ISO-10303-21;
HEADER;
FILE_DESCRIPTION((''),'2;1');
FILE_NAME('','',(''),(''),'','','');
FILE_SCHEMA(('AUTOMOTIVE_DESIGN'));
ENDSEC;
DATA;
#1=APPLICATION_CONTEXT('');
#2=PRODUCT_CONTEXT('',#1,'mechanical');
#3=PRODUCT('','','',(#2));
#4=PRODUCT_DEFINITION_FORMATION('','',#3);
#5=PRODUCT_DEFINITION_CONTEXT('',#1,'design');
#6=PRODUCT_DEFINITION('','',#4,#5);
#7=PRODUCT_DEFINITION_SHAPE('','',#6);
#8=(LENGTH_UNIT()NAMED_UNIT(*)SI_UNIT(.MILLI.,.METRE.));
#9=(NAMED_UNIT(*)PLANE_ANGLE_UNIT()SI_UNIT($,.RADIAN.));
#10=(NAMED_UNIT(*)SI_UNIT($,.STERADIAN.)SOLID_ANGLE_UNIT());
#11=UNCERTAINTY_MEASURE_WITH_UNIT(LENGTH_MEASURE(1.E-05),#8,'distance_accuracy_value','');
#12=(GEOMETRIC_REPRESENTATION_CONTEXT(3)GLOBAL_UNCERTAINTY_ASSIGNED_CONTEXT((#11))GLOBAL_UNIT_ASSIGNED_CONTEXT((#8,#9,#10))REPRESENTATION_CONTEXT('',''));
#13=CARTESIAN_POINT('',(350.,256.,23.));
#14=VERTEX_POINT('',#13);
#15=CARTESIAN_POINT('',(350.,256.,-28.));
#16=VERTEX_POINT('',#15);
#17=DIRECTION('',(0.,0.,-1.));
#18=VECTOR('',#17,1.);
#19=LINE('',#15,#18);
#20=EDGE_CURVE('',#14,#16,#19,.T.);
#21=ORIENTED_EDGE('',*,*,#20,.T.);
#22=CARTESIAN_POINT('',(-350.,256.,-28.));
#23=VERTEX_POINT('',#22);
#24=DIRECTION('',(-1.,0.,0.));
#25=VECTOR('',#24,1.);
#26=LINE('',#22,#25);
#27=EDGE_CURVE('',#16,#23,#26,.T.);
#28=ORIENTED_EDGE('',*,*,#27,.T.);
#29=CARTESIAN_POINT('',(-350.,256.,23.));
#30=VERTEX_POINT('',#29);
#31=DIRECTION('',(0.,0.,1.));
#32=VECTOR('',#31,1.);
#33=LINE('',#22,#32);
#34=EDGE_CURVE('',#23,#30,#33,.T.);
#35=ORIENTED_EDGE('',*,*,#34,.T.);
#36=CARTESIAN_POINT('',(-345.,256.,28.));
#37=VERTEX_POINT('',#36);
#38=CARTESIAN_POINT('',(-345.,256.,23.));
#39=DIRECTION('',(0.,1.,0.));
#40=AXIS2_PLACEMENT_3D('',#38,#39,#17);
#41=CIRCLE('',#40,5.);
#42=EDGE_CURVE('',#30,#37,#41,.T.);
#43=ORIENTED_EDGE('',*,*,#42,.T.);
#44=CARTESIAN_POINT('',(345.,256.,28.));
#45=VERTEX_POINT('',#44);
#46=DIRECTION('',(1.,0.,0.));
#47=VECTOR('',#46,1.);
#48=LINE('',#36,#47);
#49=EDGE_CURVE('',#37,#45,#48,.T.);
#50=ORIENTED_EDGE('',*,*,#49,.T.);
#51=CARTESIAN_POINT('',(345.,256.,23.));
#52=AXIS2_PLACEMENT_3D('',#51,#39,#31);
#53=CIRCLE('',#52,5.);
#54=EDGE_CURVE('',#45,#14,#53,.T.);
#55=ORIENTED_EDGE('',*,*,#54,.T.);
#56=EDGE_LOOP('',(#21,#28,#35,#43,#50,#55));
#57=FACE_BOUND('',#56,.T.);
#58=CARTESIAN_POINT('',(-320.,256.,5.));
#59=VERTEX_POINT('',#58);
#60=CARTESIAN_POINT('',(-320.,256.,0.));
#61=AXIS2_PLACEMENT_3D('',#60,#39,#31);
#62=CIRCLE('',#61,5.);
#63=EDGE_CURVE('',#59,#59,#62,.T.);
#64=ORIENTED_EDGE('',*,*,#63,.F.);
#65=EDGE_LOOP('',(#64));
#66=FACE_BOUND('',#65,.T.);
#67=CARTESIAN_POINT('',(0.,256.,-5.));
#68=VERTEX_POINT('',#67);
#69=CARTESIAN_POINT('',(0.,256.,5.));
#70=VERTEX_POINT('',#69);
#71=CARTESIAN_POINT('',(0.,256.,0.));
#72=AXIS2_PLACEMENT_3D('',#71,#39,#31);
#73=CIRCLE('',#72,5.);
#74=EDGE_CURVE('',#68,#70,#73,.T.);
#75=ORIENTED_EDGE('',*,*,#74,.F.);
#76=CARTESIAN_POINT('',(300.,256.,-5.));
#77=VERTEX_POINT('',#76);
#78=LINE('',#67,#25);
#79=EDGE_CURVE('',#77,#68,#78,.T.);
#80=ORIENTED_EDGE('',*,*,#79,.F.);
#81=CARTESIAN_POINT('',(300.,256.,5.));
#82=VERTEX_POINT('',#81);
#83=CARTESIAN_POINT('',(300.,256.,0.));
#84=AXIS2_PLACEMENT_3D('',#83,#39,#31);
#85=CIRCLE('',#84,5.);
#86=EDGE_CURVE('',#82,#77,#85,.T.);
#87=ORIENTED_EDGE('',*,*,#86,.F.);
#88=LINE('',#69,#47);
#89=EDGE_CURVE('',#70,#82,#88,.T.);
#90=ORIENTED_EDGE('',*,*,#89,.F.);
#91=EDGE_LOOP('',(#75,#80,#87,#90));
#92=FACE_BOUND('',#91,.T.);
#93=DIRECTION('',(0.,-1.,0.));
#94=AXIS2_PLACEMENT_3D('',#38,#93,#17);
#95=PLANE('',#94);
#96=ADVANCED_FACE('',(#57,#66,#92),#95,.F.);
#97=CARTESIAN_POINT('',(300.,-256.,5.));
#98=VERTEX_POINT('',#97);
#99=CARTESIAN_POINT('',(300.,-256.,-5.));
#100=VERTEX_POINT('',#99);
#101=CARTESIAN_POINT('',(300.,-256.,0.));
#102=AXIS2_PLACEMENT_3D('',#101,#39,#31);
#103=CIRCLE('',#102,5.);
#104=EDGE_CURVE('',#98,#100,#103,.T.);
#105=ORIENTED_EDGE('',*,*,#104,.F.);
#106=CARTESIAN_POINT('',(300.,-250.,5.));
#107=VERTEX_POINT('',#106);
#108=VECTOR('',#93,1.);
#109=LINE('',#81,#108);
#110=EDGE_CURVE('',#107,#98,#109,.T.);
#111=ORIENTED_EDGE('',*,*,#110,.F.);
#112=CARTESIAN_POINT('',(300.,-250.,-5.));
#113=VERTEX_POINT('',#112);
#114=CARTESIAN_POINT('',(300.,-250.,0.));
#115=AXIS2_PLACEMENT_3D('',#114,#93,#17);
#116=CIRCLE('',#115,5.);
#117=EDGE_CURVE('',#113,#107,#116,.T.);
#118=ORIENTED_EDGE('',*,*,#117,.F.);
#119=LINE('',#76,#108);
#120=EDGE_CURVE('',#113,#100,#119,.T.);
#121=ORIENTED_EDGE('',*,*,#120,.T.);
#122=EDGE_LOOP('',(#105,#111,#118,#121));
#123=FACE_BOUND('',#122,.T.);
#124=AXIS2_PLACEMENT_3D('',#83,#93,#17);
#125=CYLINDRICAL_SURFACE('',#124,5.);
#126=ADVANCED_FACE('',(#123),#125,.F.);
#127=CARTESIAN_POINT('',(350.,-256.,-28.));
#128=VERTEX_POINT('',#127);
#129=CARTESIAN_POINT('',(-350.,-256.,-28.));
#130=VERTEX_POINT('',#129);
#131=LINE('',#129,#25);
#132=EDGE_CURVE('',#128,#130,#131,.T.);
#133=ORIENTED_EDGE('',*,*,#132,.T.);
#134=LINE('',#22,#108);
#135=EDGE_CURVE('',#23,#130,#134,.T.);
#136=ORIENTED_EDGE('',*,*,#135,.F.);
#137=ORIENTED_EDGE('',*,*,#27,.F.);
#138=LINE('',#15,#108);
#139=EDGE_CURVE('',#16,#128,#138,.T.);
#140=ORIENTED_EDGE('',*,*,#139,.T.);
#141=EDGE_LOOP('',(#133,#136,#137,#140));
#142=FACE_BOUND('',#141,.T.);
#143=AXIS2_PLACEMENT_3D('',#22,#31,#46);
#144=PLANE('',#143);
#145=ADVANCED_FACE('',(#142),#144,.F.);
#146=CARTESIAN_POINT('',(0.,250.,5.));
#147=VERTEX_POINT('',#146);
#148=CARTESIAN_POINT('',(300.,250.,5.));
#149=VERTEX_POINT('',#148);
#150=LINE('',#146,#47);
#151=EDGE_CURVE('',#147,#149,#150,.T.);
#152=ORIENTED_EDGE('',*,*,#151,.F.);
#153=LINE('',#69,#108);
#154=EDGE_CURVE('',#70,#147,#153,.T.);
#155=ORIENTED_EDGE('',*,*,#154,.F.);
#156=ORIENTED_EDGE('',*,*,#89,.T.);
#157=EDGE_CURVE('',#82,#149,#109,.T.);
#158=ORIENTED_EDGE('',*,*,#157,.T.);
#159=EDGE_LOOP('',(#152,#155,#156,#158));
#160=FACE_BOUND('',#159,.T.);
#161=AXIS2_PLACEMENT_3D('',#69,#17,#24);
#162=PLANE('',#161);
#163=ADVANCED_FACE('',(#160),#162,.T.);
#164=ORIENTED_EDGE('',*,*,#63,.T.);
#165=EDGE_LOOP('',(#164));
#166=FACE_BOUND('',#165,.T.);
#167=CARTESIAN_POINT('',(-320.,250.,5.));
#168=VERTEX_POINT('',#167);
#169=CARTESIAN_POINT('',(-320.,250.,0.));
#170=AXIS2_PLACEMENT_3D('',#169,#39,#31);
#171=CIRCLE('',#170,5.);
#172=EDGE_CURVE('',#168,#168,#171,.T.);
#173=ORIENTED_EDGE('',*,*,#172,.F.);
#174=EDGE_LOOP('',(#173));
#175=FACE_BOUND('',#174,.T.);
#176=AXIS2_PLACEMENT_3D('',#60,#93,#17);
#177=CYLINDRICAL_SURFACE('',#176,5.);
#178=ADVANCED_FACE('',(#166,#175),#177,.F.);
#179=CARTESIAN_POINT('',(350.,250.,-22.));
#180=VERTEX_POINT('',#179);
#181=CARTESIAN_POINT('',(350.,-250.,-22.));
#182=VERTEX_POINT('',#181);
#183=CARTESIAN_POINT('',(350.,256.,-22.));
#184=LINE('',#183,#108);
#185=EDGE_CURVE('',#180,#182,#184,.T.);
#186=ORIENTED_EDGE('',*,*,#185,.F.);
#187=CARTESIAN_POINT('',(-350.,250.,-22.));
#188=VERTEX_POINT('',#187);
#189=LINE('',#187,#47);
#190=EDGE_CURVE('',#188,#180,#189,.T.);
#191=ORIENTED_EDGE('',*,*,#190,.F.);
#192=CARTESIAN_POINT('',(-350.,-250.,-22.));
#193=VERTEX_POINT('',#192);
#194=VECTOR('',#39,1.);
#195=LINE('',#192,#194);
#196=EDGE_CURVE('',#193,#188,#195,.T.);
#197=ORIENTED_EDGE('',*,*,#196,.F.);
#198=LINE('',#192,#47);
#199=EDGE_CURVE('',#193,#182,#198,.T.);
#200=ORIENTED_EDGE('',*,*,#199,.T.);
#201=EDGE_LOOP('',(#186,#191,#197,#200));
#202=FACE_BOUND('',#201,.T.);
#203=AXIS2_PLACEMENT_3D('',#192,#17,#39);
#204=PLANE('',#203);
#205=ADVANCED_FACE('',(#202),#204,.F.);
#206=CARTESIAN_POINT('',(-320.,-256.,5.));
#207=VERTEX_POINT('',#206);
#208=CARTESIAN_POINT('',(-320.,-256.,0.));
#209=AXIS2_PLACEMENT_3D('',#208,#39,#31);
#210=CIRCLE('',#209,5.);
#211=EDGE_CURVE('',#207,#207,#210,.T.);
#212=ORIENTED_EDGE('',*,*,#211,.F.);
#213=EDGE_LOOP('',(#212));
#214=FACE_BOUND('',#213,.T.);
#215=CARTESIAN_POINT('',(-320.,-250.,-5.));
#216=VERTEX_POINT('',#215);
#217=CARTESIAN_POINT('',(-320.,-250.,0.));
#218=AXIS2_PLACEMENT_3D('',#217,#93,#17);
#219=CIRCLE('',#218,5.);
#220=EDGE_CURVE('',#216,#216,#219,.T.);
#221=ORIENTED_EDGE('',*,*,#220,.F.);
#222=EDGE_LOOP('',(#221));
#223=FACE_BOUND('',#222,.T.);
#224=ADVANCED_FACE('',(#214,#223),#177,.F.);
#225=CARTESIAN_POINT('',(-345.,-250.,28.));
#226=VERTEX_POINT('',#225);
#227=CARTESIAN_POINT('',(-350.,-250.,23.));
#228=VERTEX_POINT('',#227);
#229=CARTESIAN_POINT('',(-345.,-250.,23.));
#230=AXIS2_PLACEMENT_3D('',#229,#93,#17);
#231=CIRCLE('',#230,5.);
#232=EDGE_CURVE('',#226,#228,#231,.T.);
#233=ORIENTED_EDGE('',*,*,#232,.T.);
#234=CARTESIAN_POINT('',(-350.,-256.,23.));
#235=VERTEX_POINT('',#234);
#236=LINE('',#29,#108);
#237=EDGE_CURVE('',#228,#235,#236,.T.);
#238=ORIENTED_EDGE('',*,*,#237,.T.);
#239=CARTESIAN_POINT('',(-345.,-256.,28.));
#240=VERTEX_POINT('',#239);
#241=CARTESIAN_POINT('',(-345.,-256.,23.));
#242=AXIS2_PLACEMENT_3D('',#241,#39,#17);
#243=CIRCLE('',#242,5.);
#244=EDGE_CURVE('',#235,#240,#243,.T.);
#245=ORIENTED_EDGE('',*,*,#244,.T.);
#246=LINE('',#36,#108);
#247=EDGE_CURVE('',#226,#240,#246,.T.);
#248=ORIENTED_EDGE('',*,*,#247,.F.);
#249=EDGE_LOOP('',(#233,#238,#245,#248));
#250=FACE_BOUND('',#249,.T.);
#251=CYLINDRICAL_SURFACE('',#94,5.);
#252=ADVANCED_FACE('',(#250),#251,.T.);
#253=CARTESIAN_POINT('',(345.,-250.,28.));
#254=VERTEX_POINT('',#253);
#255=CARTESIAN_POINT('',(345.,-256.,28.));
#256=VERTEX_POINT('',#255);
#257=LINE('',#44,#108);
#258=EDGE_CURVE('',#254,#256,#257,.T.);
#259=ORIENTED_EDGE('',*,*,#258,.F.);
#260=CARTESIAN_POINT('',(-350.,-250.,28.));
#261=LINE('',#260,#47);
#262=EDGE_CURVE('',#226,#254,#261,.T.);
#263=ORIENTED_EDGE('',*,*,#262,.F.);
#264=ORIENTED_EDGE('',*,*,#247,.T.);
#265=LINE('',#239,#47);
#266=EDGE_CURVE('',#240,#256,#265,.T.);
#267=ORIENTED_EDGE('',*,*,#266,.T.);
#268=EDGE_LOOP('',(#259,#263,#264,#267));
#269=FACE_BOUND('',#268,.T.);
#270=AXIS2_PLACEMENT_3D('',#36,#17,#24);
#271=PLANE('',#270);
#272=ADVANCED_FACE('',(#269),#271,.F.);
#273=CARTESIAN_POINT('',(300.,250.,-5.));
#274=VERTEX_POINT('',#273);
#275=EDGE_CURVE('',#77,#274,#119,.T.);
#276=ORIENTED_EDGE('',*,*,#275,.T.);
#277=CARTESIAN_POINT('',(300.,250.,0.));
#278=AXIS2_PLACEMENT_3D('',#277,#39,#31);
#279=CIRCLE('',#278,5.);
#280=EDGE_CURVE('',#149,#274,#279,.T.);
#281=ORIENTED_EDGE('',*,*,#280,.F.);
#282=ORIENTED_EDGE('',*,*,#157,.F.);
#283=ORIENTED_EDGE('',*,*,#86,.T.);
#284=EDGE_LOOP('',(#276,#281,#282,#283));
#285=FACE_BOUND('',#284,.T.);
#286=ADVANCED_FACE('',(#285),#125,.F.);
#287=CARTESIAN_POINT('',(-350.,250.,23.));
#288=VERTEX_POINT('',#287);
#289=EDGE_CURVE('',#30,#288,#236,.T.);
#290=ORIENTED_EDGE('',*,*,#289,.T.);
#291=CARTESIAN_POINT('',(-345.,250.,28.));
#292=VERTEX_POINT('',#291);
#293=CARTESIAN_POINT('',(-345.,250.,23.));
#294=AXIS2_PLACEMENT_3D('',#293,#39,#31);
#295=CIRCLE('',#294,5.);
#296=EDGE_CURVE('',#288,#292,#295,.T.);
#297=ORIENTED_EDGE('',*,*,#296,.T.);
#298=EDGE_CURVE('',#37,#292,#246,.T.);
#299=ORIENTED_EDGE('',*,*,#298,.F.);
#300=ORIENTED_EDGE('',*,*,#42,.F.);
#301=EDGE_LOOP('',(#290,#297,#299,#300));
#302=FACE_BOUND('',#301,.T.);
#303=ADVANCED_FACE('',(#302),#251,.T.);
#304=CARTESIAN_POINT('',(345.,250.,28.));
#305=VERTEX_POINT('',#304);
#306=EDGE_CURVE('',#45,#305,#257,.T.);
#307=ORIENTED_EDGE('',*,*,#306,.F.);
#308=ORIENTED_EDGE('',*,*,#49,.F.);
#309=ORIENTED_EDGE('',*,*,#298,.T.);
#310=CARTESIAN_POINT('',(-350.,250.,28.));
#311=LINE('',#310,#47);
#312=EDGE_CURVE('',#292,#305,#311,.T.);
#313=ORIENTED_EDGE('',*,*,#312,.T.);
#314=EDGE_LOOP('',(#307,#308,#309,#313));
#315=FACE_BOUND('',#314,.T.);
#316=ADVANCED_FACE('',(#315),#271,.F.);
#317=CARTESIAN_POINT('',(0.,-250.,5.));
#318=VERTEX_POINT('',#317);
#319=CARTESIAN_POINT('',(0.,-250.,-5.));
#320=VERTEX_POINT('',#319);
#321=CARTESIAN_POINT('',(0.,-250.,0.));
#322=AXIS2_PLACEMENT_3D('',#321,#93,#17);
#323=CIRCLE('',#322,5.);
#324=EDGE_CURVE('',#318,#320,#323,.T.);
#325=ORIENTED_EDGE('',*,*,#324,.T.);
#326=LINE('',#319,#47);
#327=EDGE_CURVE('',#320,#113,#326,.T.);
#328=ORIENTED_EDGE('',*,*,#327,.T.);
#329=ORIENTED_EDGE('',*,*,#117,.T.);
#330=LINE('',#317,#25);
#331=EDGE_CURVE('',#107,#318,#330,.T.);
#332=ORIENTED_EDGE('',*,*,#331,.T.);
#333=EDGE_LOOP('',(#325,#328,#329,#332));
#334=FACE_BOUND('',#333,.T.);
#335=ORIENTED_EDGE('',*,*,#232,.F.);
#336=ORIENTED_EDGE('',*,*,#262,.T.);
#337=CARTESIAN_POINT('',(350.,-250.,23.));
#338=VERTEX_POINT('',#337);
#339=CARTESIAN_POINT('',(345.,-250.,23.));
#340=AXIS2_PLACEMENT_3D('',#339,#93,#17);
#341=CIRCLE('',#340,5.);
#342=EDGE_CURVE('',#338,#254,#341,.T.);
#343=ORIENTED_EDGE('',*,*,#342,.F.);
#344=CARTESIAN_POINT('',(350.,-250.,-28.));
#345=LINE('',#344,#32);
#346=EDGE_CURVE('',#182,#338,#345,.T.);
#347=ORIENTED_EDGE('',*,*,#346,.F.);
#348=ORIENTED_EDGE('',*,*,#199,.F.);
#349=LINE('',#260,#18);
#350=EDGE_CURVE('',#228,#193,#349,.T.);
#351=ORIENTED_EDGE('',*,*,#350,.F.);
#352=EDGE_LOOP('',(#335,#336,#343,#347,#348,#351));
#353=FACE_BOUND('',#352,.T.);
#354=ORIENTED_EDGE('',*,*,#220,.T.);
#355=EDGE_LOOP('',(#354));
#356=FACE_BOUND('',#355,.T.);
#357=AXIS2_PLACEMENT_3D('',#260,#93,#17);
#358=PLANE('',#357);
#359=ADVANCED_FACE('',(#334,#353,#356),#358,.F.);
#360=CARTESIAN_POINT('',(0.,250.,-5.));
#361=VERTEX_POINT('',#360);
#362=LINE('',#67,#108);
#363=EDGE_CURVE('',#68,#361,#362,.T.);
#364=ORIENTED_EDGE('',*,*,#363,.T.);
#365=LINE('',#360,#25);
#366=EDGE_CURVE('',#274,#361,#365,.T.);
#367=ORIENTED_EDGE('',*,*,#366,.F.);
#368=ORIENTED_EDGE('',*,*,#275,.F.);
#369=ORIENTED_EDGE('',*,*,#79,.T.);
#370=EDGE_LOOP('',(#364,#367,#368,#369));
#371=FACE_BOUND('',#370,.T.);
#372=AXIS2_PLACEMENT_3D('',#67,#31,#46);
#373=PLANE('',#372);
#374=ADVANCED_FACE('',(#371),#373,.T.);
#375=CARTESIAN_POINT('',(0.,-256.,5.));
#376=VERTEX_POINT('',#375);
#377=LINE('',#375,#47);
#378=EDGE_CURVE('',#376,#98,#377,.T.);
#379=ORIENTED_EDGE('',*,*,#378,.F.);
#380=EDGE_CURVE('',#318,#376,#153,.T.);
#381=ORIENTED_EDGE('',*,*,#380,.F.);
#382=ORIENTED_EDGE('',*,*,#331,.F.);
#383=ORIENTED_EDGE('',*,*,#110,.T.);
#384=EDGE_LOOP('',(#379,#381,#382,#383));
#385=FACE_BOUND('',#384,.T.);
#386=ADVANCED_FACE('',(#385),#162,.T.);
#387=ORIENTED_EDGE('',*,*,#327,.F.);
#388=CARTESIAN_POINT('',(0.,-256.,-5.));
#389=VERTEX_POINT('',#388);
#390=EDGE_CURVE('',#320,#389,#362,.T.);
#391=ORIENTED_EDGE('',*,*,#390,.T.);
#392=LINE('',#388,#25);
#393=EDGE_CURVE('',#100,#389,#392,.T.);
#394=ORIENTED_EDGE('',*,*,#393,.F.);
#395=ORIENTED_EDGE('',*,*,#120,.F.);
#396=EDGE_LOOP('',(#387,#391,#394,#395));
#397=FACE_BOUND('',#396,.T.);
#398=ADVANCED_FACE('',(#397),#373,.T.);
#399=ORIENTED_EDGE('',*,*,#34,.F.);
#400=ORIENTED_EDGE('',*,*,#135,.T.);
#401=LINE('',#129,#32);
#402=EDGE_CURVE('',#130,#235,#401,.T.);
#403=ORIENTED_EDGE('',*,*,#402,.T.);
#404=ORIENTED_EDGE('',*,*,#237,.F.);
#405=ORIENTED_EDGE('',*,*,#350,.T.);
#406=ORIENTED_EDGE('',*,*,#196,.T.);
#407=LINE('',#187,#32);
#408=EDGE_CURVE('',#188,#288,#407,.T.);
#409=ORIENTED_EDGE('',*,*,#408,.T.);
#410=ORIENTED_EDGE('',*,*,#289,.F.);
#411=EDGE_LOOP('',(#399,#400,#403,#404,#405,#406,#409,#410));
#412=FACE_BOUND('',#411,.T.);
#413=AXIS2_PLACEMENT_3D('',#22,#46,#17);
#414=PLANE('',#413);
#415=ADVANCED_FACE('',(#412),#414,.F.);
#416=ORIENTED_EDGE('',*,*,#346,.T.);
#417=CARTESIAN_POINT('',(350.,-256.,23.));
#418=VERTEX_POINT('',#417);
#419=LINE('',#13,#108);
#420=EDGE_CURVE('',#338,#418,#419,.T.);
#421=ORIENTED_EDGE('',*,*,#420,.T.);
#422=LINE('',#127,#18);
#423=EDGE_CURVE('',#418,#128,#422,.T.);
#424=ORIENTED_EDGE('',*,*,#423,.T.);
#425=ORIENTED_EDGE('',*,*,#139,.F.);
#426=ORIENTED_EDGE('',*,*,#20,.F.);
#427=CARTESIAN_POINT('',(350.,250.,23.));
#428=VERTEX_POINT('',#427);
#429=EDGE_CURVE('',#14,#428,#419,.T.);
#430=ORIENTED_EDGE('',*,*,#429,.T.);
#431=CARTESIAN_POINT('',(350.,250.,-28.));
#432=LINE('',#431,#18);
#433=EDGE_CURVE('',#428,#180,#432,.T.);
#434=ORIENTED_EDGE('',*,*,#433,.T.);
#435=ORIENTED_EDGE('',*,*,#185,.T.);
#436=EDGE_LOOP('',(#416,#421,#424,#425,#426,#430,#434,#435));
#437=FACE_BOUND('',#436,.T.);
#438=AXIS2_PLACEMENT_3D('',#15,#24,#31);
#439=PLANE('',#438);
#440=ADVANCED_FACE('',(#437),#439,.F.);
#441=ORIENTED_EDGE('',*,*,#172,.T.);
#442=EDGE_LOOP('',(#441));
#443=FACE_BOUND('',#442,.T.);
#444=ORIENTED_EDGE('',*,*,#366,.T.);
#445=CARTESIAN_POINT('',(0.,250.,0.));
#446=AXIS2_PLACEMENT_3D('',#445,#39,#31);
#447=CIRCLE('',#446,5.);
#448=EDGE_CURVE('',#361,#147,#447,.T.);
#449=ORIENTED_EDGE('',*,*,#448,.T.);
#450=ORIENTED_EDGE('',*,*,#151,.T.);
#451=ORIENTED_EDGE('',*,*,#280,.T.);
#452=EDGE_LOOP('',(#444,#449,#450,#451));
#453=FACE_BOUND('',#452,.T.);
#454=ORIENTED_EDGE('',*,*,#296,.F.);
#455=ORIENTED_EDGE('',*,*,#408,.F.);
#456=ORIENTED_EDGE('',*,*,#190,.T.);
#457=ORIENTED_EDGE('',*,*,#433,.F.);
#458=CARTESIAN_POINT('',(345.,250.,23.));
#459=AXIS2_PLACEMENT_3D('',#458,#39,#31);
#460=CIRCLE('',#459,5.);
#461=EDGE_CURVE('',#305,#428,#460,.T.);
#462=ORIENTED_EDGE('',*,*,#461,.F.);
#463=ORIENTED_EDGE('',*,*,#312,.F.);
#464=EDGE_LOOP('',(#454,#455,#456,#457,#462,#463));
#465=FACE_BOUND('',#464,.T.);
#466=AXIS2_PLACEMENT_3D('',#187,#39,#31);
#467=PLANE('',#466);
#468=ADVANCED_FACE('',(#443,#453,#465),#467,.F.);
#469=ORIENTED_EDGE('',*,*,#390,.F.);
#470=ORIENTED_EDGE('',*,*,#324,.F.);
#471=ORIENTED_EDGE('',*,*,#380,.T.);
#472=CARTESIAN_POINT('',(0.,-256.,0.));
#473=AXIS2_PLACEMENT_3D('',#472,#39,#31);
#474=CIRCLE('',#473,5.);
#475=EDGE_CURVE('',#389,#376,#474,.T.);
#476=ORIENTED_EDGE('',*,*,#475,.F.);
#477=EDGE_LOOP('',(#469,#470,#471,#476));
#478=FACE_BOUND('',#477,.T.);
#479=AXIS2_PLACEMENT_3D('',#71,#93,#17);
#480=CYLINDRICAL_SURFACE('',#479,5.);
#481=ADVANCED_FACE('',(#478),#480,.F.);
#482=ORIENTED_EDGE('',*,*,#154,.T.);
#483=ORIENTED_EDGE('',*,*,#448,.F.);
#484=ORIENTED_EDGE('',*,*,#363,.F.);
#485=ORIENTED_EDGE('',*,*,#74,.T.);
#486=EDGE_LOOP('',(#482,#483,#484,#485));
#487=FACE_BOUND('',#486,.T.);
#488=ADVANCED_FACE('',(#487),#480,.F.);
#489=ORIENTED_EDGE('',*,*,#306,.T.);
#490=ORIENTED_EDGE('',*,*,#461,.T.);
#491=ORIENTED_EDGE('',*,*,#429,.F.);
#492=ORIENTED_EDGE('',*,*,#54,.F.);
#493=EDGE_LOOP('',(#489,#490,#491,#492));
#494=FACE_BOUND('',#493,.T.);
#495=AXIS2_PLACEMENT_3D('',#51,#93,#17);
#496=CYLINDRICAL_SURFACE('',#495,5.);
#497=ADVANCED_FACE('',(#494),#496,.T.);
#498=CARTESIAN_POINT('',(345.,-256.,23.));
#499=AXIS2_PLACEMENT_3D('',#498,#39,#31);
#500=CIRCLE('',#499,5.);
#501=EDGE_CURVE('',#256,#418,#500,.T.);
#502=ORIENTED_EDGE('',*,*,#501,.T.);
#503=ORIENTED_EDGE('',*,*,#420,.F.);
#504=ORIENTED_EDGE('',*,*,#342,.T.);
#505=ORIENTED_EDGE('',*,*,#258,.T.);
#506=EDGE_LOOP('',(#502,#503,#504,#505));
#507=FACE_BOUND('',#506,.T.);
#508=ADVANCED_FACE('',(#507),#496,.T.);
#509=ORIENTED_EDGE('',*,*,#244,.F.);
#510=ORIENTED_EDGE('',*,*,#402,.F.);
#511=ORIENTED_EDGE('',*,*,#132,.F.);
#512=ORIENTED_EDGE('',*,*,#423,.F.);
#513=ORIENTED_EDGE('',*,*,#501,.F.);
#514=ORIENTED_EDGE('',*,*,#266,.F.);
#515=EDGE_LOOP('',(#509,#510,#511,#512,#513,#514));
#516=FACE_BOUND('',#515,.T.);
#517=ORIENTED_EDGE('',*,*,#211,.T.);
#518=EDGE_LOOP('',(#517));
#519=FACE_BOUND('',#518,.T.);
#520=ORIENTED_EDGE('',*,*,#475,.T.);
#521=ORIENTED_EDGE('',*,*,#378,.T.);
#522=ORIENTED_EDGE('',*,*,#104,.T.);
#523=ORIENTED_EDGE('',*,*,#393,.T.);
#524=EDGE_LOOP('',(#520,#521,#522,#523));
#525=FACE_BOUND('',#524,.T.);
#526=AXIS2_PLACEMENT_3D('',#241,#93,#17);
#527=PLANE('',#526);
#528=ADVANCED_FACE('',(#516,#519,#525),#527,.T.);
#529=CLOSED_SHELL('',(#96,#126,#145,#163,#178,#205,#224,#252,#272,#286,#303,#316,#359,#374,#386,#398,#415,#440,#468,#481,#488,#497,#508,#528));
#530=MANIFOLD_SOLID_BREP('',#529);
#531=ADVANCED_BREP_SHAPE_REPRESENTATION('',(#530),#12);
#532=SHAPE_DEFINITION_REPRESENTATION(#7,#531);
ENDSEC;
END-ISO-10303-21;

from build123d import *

# Parameters (mm, degrees)
SKETCH4_R               = 5
BOSS_EXTRUDE2_DEPTH     = 256
CUT_EXTRUDE2_DEPTH      = 746.868621139
CUT_EXTRUDE2_DEPTH_BACK = 746.868621139
SKETCH5_W               = 50
SKETCH5_H               = 500


with BuildPart() as part:
    # Sketch4 → Boss-Extrude2 (new, symmetric)
    with BuildSketch(Plane(origin=(0, 0, 0), x_dir=(1, 0, 0), z_dir=(0, 1, 0))):
        with BuildLine():
            Line((-350, 28), (350, 28))
            Line((350, 28), (350, -23))
            ThreePointArc((350, -23), (348.535533906, -26.535533906), (345, -28))
            Line((345, -28), (-345, -28))
            ThreePointArc((-345, -28), (-348.535533906, -26.535533906), (-350, -23))
            Line((-350, -23), (-350, 28))
        make_face()
        with Locations(Location((-320, 0, 0), (0, 0, 270))):
            Circle(SKETCH4_R, mode=Mode.SUBTRACT)
        with BuildLine():
            Line((0, 5), (300, 5))
            ThreePointArc((300, 5), (305, 0), (300, -5))
            Line((300, -5), (0, -5))
            ThreePointArc((0, -5), (-5, 0), (0, 5))
        make_face(mode=Mode.SUBTRACT)
    extrude(amount=BOSS_EXTRUDE2_DEPTH, both=True)

    # Sketch5 → Cut-Extrude2 (cut, two sides: drawn at the far end of the back side and taken through both)
    with BuildSketch(Plane(origin=(350, 0, 0), x_dir=(0, 0, -1), z_dir=(1, 0, 0)).offset(-CUT_EXTRUDE2_DEPTH_BACK)):
        with Locations((-3, 0)):
            Rectangle(SKETCH5_W, SKETCH5_H)
    extrude(amount=CUT_EXTRUDE2_DEPTH + CUT_EXTRUDE2_DEPTH_BACK, mode=Mode.SUBTRACT)


solid = part.part
